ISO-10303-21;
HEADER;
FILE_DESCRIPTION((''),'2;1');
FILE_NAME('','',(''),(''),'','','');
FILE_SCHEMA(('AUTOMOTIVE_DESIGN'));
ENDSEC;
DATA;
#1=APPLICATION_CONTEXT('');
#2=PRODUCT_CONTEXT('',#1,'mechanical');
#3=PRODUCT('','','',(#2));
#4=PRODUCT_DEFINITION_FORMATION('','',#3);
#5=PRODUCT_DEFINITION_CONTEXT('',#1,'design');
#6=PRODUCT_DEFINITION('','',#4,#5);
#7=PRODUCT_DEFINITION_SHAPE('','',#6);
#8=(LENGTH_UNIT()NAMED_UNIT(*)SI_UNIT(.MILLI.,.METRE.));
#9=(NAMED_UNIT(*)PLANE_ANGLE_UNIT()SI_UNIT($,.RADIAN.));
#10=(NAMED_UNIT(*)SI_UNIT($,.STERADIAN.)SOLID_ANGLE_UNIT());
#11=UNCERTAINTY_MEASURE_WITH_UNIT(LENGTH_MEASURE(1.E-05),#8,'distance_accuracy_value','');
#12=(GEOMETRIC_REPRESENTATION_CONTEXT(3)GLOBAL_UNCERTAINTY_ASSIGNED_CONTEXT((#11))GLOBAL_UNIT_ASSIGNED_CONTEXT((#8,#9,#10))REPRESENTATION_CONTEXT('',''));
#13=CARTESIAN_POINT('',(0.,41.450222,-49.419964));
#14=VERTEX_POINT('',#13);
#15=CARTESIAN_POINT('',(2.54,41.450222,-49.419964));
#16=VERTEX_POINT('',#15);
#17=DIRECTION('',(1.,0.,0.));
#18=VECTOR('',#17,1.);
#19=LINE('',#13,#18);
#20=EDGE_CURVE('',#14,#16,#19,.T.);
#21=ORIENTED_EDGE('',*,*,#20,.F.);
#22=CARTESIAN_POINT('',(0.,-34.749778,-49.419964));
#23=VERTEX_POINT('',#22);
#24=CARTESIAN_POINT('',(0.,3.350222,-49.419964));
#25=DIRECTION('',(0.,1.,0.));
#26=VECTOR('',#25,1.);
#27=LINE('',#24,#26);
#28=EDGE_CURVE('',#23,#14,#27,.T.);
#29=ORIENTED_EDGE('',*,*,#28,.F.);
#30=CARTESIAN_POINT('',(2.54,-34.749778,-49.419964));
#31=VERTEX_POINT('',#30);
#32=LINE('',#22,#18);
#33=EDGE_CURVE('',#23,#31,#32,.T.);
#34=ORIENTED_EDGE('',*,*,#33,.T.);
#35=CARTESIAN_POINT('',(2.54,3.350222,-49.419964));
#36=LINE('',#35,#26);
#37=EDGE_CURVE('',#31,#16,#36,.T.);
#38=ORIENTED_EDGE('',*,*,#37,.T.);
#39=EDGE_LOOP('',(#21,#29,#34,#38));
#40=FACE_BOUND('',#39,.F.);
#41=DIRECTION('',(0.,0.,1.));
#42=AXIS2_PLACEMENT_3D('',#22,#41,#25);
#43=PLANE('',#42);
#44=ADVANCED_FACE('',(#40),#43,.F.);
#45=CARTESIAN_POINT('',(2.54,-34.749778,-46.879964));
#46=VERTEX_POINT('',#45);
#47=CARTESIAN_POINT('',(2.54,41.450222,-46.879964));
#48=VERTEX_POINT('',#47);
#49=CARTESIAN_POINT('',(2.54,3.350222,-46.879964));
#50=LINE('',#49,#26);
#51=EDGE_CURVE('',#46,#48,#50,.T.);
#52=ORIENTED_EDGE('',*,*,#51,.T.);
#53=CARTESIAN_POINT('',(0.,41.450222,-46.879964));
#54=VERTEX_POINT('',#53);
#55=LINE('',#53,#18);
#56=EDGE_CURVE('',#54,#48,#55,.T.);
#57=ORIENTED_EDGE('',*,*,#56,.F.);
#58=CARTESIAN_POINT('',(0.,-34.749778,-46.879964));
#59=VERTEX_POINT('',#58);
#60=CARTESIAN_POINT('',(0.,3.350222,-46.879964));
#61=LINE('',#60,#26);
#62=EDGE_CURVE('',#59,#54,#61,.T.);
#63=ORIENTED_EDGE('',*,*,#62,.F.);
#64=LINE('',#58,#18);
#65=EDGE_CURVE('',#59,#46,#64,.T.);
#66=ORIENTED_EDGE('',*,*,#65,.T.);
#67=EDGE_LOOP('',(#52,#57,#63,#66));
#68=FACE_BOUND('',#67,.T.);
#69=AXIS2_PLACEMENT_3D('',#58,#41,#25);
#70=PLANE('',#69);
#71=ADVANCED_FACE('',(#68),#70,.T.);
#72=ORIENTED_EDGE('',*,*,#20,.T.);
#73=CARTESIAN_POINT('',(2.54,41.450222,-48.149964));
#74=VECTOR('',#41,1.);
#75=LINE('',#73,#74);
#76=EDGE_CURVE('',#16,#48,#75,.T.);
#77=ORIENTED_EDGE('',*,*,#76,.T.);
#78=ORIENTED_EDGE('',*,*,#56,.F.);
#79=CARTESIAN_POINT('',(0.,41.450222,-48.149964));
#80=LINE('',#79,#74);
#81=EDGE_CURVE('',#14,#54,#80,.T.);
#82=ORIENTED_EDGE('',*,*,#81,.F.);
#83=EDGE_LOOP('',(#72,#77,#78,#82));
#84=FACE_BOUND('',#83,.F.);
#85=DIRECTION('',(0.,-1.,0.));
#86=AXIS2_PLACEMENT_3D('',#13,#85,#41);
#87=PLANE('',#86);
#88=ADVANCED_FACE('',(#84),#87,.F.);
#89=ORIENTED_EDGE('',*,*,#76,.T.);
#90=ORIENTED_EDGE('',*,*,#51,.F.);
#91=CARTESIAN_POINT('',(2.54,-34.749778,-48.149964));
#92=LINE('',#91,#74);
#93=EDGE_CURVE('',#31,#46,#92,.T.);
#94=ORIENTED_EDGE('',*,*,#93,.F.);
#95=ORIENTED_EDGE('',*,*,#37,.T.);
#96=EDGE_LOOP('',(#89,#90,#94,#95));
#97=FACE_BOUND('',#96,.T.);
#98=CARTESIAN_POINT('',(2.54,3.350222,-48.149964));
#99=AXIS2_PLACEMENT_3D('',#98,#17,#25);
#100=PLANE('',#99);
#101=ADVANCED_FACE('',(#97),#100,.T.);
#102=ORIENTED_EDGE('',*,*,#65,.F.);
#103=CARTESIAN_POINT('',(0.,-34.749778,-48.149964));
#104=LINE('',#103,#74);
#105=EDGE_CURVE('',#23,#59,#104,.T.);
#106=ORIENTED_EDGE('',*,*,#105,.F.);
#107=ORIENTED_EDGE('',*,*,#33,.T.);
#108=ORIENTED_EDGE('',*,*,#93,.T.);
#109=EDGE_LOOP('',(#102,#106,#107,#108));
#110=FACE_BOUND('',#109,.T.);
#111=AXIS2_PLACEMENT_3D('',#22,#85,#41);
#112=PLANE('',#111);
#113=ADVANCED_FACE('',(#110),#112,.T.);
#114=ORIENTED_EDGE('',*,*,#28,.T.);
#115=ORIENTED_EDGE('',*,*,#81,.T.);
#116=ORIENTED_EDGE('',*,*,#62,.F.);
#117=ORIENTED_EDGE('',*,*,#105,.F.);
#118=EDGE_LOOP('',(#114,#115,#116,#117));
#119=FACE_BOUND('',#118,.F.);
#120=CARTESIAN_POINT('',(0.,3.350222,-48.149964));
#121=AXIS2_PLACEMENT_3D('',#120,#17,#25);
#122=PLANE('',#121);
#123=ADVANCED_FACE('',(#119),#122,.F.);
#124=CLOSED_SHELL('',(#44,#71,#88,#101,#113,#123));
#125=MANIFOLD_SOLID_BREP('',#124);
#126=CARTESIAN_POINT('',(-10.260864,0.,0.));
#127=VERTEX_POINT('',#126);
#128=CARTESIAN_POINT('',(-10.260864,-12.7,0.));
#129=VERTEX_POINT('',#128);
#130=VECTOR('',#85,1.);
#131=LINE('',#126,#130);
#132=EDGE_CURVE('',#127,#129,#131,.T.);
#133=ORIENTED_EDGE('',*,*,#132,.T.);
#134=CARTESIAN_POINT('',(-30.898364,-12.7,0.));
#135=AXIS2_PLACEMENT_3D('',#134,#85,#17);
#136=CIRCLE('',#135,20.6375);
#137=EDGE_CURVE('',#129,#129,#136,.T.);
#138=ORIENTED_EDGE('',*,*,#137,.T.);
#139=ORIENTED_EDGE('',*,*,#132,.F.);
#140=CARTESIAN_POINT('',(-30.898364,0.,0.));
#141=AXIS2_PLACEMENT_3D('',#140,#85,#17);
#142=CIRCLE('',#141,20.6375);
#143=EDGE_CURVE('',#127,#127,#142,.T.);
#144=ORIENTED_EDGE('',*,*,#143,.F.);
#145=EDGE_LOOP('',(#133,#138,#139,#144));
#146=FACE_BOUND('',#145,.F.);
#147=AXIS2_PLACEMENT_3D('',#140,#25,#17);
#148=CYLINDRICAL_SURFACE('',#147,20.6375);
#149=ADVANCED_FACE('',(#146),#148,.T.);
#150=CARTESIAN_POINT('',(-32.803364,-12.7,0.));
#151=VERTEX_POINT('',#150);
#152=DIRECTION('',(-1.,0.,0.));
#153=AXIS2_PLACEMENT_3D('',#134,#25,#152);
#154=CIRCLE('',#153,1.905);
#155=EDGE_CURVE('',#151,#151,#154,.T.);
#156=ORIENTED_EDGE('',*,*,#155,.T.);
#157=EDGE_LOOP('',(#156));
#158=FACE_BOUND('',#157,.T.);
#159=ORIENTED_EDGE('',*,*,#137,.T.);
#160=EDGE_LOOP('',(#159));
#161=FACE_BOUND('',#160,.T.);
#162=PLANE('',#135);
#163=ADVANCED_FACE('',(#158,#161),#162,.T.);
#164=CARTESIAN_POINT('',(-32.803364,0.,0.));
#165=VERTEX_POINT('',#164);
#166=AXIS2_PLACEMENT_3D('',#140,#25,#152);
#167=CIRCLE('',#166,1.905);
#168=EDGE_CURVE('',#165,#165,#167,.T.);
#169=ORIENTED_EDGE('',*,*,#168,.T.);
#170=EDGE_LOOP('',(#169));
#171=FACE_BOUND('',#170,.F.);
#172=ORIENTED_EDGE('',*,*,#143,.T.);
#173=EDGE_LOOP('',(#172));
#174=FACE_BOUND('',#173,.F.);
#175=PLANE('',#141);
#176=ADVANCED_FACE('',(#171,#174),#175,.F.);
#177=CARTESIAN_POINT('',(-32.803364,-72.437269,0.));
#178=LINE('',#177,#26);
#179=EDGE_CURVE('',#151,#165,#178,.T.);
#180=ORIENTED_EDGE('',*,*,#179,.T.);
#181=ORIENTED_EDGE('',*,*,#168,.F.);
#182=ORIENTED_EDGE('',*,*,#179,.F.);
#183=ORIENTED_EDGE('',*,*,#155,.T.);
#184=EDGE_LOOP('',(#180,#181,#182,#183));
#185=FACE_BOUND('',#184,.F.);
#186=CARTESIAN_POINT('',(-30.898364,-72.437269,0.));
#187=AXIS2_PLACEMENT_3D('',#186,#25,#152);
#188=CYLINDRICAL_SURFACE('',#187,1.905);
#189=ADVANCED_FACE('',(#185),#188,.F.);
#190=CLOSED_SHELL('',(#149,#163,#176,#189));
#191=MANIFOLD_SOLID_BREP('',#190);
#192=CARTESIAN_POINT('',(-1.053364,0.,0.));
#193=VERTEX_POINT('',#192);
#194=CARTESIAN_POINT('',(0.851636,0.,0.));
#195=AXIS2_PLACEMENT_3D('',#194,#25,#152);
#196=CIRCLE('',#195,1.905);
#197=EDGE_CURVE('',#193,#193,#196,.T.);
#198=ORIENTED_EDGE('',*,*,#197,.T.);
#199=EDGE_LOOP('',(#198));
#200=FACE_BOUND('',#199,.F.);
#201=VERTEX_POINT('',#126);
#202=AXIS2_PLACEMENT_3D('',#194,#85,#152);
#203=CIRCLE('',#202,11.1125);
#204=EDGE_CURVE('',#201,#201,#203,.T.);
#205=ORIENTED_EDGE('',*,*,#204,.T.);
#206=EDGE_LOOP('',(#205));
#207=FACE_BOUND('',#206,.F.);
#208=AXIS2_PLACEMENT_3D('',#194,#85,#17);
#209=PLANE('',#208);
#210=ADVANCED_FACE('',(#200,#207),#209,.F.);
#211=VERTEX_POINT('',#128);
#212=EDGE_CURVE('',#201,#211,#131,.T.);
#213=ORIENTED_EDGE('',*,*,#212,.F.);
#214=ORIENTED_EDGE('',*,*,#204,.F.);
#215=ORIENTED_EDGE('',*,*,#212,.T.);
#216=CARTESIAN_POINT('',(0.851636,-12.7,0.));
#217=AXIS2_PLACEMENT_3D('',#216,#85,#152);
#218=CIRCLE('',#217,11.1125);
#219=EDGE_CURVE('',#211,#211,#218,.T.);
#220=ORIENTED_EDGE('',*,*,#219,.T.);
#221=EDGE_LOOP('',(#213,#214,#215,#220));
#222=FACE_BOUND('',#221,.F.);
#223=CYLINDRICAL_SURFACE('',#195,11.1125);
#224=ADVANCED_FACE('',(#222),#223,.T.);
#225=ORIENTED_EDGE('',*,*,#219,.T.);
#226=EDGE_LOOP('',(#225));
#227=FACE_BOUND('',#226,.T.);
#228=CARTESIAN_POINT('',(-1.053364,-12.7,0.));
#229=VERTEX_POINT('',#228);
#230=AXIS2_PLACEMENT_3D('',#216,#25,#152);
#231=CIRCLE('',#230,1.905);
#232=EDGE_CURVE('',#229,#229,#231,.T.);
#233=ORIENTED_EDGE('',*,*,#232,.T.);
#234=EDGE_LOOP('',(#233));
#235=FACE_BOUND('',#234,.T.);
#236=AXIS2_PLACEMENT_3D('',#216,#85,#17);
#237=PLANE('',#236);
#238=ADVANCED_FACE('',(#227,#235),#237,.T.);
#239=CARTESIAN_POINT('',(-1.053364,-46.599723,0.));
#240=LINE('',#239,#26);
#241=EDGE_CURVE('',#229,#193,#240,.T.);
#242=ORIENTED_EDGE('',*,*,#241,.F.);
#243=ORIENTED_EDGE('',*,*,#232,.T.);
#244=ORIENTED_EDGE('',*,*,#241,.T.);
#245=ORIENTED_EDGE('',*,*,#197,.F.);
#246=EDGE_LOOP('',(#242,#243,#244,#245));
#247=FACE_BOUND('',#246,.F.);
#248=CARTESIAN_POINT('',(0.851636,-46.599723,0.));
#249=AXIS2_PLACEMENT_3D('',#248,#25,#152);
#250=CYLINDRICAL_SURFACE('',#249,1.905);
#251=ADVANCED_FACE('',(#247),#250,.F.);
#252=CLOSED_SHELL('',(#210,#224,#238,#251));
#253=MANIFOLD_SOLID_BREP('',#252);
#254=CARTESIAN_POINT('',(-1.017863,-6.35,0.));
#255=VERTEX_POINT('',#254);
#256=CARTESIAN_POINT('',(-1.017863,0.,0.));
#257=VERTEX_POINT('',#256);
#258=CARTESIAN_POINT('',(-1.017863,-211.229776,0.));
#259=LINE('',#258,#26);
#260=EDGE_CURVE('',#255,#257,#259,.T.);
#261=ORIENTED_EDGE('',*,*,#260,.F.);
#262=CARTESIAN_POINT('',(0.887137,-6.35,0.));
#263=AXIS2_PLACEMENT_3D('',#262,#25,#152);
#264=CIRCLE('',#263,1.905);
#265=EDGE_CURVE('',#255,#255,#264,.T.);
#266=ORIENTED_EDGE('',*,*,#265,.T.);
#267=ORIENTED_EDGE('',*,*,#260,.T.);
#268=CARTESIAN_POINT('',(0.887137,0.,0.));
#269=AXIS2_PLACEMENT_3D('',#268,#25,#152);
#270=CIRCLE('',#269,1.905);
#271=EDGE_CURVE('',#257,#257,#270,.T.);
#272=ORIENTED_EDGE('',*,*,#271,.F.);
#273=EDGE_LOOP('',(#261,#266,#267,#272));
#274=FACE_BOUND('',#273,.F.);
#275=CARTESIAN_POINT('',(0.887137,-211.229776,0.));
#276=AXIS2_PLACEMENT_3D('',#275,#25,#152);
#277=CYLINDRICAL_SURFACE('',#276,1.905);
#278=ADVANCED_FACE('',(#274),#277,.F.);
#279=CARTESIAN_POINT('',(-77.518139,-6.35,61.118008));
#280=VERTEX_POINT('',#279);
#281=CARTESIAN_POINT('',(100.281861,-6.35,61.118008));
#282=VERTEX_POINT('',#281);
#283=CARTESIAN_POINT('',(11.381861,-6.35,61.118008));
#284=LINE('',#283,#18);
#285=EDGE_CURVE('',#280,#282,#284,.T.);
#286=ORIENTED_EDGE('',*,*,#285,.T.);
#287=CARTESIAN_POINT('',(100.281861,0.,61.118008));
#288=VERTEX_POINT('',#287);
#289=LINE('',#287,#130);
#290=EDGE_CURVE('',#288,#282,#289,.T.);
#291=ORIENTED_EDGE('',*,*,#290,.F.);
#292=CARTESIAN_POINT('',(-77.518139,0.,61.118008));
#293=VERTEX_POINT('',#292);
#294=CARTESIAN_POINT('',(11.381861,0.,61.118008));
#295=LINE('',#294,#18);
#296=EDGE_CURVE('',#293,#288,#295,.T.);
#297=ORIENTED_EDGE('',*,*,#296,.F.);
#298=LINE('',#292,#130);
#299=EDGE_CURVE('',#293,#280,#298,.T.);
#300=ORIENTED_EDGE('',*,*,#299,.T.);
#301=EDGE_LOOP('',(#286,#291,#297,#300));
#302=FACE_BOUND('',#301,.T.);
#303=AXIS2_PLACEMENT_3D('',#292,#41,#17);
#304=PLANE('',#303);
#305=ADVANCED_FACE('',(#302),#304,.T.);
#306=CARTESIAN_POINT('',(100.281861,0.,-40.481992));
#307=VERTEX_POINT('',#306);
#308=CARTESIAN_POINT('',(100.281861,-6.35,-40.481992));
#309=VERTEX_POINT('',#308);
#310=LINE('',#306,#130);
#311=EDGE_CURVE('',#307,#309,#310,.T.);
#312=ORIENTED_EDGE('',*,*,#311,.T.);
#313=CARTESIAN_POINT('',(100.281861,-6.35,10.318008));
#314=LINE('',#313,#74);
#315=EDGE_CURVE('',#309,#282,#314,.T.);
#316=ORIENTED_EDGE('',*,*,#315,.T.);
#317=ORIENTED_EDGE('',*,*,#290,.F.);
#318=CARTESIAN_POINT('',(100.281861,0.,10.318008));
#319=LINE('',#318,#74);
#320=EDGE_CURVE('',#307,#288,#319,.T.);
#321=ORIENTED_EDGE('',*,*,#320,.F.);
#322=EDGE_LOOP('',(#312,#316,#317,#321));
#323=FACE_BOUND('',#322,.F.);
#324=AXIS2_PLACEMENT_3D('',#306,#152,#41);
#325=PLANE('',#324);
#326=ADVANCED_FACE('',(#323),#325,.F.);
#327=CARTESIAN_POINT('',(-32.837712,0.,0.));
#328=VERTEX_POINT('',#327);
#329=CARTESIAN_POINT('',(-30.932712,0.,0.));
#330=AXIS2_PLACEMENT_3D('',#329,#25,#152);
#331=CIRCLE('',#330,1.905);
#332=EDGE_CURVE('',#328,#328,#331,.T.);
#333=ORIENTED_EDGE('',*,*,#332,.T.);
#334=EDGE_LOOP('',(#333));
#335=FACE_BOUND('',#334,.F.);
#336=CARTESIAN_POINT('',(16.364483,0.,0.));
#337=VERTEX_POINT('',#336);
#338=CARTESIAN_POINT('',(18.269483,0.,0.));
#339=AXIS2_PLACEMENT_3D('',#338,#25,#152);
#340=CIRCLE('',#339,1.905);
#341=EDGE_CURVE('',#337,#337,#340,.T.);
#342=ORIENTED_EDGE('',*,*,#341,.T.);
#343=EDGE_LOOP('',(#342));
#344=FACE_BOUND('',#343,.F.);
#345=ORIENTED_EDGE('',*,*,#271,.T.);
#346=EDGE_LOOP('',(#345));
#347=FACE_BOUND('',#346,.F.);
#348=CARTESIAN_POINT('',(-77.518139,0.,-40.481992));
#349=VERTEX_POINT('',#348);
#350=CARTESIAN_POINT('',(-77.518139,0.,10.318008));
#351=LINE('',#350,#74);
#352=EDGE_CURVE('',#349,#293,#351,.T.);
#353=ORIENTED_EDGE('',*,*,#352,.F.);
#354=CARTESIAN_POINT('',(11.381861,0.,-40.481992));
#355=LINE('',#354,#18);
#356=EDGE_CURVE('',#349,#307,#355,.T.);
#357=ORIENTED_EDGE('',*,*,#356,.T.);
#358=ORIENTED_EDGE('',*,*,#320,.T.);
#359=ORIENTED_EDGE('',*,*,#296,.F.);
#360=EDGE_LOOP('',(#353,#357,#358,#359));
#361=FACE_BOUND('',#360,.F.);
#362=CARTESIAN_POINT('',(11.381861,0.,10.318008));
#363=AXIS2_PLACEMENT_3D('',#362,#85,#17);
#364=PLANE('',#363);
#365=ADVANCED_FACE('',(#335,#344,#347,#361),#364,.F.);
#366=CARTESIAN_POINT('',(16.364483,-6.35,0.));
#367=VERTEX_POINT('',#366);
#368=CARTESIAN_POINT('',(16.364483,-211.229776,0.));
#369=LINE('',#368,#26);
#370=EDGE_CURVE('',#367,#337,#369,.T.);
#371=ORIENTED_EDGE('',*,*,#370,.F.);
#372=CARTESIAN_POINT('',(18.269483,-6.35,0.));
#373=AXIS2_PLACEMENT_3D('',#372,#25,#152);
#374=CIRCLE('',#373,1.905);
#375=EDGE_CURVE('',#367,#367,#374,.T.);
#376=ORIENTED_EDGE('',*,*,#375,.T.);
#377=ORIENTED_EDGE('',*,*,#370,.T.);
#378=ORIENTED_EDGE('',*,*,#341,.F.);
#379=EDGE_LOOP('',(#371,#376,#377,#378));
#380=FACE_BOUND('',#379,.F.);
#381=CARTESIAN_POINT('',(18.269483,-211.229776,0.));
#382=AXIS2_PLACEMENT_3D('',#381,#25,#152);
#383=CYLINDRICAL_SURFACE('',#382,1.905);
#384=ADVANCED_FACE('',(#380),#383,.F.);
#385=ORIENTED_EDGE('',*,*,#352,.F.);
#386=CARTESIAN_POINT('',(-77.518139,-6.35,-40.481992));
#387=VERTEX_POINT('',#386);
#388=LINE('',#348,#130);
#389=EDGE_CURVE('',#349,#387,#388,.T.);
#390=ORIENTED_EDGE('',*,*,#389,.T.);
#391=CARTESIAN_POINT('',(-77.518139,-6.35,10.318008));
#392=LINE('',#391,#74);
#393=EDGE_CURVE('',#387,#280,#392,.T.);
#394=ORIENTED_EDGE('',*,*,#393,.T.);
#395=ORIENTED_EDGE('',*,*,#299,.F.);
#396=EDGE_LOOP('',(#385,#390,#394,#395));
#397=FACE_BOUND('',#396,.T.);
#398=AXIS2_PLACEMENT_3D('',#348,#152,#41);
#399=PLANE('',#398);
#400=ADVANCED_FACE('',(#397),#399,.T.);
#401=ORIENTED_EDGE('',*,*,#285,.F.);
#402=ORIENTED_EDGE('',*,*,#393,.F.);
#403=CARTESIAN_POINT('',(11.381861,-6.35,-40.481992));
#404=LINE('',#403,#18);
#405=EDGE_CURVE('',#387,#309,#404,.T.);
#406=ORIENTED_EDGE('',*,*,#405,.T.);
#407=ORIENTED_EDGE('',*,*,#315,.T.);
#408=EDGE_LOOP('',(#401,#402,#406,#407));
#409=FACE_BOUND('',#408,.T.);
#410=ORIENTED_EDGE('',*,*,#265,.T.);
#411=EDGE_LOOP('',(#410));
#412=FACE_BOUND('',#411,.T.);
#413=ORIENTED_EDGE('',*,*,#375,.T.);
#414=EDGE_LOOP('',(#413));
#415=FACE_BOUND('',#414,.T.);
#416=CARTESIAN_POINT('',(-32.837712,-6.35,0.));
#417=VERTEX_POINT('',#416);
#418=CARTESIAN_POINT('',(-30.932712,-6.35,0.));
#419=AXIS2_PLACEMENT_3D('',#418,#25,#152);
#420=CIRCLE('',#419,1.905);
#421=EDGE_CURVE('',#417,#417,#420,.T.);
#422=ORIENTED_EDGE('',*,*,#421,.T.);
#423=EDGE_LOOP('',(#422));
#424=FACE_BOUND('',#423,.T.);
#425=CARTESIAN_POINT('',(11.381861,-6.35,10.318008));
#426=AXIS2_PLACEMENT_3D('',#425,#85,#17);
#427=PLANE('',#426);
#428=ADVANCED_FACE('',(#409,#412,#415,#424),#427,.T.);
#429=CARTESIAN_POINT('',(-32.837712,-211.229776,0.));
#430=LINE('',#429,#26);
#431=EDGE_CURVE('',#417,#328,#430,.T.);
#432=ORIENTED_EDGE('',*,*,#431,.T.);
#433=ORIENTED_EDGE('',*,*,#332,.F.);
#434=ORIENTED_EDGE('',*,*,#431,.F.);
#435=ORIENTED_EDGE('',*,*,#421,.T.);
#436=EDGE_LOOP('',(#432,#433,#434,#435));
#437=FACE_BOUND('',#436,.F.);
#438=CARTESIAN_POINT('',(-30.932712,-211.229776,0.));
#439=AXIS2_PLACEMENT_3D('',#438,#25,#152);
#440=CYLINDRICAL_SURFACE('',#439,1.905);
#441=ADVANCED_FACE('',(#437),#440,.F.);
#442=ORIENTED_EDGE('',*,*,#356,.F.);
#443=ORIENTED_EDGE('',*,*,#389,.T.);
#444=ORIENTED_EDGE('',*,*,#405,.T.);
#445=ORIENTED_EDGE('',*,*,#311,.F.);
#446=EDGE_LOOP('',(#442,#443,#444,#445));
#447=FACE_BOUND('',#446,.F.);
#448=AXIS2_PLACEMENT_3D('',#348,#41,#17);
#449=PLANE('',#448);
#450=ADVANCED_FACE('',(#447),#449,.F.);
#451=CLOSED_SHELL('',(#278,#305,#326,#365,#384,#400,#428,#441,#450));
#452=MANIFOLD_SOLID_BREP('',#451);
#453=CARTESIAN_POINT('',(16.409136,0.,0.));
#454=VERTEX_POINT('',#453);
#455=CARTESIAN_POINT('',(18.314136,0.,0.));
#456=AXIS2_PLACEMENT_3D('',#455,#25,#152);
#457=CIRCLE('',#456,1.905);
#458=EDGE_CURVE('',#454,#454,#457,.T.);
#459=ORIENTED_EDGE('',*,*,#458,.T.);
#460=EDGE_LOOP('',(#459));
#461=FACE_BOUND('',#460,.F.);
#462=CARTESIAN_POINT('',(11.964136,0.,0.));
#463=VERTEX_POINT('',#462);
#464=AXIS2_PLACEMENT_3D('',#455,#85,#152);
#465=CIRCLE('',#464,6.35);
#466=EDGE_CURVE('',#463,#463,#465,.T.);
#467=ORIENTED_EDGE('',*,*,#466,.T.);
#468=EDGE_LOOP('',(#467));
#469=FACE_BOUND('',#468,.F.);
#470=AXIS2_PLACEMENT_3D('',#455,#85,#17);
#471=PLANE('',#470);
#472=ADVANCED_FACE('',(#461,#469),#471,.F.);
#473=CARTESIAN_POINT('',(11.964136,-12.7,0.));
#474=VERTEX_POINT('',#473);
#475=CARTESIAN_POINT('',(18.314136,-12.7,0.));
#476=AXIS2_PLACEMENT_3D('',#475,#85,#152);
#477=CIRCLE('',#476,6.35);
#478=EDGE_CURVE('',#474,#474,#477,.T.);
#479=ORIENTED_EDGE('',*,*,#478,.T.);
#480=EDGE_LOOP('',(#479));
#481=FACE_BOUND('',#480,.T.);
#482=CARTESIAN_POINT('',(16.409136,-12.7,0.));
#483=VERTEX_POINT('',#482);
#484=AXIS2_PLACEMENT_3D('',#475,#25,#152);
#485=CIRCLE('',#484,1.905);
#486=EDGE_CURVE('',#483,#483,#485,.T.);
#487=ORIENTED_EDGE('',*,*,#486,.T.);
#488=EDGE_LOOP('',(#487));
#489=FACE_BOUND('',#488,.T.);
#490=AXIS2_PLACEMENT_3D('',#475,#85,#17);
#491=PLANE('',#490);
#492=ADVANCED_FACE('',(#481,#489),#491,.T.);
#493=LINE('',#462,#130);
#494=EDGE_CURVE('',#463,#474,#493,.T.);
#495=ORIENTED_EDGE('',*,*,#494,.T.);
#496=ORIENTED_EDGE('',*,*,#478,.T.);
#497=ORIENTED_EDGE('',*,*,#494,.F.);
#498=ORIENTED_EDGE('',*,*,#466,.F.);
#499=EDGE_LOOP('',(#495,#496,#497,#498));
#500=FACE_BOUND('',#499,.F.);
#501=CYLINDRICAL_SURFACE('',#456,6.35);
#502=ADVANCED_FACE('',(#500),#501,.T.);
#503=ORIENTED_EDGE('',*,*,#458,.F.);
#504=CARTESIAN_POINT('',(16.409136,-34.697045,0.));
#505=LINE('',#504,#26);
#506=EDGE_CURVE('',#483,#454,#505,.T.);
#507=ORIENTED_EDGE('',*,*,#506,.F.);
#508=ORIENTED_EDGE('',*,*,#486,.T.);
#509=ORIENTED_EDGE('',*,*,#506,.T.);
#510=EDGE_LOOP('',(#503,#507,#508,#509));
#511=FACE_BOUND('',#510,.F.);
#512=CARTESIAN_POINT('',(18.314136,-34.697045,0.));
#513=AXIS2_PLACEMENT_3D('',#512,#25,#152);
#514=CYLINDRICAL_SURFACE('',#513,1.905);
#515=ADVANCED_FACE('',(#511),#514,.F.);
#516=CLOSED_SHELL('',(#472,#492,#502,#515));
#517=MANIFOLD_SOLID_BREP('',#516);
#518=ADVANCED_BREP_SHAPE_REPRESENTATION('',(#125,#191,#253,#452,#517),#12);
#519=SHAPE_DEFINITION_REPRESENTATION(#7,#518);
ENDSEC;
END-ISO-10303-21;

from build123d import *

# Parameters (mm, degrees)
F0_W      = 177.8
F0_H      = 101.6
F2_DEPTH  = 6.35
F1_R      = 20.6375
F3_DEPTH  = 12.7
F7_D      = 3.81
F8_D      = 3.81
F9_D      = 3.81
F11_D     = 3.81
F13_D     = 3.81
F15_D     = 3.81
F16_W     = 76.2
F16_H     = 2.54
F17_DEPTH = 2.54


with BuildPart() as f2:
    # F0 (on Front) → F2 (new body)
    with BuildSketch(Plane.XZ):
        with Locations((11.3818608224, 10.3180078729)):
            Rectangle(F0_W, F0_H)
    extrude(amount=F2_DEPTH)

    # F11 (through all)
    with Locations(Plane.XZ.offset(6.35)):
        with Locations((-30.9327120275, 0)):
            Hole(F11_D / 2)

    # F13 (through all)
    with Locations(Plane.XZ.offset(6.35)):
        with Locations((0.8871365836, 0)):
            Hole(F13_D / 2)

    # F15 (through all)
    with Locations(Plane.XZ.offset(6.35)):
        with Locations((18.2694828434, 0)):
            Hole(F15_D / 2)


with BuildPart() as f3:
    # F1 (on face) → F3 (new body)
    with BuildSketch(Plane.XZ):
        with Locations((-30.8983638078, 0)):
            Circle(F1_R)
    extrude(amount=F3_DEPTH)

    # F7 (through all)
    with Locations(Plane.XZ.offset(12.7)):
        with Locations((-30.8983638078, 0)):
            Hole(F7_D / 2)


with BuildPart() as f3b:
    # F1 (on face) → F3, piece 2 (new body)
    with BuildSketch(Plane.XZ):
        with BuildLine():
            ThreePointArc((24.6641361922, 0), (18.3141361922, 6.35), (11.9641361922, 0))
            ThreePointArc((11.9641361922, 0), (18.3141361922, -6.35), (24.6641361922, 0))
        make_face()
    extrude(amount=F3_DEPTH)

    # F9 (through all)
    with Locations(Plane.XZ.offset(12.7)):
        with Locations((18.3141361922, 0)):
            Hole(F9_D / 2)


with BuildPart() as f3c:
    # F1 (on face) → F3, piece 3 (new body)
    with BuildSketch(Plane.XZ):
        with BuildLine():
            ThreePointArc((11.9641361922, 0), (0.8516361922, 11.1125), (-10.2608638078, 0))
            ThreePointArc((-10.2608638078, 0), (0.8516361922, -11.1125), (11.9641361922, 0))
        make_face()
    extrude(amount=F3_DEPTH)

    # F8 (through all)
    with Locations(Plane.XZ.offset(12.7)):
        with Locations((0.8516361922, 0)):
            Hole(F8_D / 2)


with BuildPart() as f17:
    # F16 (on Right) → F17 (new body)
    with BuildSketch(Plane.YZ):
        with Locations((3.3502218379, -48.1499638951)):
            Rectangle(F16_W, F16_H)
    extrude(amount=F17_DEPTH)


solid = Compound([f2.part, f3.part, f3b.part, f3c.part, f17.part])
